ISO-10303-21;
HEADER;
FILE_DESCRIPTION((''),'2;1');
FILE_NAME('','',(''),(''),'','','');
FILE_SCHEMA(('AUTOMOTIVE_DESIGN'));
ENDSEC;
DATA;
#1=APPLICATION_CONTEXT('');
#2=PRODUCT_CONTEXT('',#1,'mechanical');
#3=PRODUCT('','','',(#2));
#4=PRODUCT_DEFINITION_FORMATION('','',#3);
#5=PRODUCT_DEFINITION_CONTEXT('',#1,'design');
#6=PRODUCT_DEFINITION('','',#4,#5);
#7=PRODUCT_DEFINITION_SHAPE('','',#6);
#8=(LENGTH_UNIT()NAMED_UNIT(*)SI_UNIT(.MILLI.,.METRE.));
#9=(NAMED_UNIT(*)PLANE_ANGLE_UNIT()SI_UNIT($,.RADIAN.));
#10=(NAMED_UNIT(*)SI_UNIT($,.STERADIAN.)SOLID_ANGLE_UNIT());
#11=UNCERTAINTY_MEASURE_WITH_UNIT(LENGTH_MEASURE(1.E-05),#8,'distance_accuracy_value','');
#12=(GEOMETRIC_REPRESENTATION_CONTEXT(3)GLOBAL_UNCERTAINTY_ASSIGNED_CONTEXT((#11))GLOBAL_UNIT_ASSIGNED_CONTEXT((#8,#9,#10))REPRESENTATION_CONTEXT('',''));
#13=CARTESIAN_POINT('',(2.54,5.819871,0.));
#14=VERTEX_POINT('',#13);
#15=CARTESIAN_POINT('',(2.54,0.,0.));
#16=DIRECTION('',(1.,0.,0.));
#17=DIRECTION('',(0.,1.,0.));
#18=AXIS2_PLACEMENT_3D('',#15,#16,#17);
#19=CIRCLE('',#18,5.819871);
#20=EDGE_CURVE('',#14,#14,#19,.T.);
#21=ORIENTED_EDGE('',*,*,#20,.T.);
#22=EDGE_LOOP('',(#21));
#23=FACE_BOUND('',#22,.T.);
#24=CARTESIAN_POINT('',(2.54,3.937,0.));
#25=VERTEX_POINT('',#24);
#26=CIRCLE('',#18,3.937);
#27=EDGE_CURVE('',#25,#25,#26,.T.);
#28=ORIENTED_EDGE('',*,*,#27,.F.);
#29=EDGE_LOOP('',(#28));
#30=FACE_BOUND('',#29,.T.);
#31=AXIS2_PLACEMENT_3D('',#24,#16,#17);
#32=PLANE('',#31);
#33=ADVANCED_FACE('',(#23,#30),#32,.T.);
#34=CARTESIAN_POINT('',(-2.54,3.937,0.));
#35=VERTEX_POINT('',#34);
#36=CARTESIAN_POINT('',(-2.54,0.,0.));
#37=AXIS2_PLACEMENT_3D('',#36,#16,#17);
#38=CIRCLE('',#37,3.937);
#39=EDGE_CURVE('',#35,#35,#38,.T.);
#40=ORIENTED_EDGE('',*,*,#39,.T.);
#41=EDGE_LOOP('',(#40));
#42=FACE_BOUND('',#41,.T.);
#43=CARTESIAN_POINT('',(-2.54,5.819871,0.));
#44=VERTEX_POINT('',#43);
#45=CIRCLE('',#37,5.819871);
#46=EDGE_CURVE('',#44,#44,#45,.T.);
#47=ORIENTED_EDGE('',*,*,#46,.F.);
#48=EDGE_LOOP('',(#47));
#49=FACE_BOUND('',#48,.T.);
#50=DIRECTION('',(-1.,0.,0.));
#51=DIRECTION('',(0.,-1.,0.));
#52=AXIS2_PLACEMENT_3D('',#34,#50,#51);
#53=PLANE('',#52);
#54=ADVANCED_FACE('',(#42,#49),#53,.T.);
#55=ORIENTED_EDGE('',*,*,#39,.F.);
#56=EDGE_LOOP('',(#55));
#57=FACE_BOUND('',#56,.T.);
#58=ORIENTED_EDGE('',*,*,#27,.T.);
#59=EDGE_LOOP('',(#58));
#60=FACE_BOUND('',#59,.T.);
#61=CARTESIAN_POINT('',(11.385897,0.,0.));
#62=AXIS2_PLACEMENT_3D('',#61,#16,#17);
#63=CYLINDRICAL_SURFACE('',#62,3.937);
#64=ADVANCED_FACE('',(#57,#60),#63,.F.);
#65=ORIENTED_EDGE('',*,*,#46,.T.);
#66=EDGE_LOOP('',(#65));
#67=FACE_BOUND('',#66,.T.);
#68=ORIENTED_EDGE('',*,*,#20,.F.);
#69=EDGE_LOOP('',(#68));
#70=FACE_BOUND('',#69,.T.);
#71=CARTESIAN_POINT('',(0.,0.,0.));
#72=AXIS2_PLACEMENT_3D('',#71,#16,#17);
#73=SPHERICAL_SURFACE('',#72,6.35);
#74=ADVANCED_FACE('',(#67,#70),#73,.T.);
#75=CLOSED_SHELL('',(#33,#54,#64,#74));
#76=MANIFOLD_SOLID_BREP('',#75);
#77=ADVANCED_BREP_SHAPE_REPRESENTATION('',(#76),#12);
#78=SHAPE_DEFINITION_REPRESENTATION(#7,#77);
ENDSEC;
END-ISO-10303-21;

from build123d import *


with BuildPart() as part:
    # Sketch1 → Revolve1 (revolve)
    with BuildSketch(Plane.XY):
        with BuildLine():
            Line((-2.54, 3.937), (-2.54, 5.819871133))
            ThreePointArc((-2.54, 5.819871133), (0, 6.35), (2.54, 5.819871133))
            Line((2.54, 5.819871133), (2.54, 3.937))
            Line((2.54, 3.937), (-2.54, 3.937))
        make_face()
    revolve(axis=Axis((11.385897249, 0, 0), (-1, 0, 0)))


solid = part.part
